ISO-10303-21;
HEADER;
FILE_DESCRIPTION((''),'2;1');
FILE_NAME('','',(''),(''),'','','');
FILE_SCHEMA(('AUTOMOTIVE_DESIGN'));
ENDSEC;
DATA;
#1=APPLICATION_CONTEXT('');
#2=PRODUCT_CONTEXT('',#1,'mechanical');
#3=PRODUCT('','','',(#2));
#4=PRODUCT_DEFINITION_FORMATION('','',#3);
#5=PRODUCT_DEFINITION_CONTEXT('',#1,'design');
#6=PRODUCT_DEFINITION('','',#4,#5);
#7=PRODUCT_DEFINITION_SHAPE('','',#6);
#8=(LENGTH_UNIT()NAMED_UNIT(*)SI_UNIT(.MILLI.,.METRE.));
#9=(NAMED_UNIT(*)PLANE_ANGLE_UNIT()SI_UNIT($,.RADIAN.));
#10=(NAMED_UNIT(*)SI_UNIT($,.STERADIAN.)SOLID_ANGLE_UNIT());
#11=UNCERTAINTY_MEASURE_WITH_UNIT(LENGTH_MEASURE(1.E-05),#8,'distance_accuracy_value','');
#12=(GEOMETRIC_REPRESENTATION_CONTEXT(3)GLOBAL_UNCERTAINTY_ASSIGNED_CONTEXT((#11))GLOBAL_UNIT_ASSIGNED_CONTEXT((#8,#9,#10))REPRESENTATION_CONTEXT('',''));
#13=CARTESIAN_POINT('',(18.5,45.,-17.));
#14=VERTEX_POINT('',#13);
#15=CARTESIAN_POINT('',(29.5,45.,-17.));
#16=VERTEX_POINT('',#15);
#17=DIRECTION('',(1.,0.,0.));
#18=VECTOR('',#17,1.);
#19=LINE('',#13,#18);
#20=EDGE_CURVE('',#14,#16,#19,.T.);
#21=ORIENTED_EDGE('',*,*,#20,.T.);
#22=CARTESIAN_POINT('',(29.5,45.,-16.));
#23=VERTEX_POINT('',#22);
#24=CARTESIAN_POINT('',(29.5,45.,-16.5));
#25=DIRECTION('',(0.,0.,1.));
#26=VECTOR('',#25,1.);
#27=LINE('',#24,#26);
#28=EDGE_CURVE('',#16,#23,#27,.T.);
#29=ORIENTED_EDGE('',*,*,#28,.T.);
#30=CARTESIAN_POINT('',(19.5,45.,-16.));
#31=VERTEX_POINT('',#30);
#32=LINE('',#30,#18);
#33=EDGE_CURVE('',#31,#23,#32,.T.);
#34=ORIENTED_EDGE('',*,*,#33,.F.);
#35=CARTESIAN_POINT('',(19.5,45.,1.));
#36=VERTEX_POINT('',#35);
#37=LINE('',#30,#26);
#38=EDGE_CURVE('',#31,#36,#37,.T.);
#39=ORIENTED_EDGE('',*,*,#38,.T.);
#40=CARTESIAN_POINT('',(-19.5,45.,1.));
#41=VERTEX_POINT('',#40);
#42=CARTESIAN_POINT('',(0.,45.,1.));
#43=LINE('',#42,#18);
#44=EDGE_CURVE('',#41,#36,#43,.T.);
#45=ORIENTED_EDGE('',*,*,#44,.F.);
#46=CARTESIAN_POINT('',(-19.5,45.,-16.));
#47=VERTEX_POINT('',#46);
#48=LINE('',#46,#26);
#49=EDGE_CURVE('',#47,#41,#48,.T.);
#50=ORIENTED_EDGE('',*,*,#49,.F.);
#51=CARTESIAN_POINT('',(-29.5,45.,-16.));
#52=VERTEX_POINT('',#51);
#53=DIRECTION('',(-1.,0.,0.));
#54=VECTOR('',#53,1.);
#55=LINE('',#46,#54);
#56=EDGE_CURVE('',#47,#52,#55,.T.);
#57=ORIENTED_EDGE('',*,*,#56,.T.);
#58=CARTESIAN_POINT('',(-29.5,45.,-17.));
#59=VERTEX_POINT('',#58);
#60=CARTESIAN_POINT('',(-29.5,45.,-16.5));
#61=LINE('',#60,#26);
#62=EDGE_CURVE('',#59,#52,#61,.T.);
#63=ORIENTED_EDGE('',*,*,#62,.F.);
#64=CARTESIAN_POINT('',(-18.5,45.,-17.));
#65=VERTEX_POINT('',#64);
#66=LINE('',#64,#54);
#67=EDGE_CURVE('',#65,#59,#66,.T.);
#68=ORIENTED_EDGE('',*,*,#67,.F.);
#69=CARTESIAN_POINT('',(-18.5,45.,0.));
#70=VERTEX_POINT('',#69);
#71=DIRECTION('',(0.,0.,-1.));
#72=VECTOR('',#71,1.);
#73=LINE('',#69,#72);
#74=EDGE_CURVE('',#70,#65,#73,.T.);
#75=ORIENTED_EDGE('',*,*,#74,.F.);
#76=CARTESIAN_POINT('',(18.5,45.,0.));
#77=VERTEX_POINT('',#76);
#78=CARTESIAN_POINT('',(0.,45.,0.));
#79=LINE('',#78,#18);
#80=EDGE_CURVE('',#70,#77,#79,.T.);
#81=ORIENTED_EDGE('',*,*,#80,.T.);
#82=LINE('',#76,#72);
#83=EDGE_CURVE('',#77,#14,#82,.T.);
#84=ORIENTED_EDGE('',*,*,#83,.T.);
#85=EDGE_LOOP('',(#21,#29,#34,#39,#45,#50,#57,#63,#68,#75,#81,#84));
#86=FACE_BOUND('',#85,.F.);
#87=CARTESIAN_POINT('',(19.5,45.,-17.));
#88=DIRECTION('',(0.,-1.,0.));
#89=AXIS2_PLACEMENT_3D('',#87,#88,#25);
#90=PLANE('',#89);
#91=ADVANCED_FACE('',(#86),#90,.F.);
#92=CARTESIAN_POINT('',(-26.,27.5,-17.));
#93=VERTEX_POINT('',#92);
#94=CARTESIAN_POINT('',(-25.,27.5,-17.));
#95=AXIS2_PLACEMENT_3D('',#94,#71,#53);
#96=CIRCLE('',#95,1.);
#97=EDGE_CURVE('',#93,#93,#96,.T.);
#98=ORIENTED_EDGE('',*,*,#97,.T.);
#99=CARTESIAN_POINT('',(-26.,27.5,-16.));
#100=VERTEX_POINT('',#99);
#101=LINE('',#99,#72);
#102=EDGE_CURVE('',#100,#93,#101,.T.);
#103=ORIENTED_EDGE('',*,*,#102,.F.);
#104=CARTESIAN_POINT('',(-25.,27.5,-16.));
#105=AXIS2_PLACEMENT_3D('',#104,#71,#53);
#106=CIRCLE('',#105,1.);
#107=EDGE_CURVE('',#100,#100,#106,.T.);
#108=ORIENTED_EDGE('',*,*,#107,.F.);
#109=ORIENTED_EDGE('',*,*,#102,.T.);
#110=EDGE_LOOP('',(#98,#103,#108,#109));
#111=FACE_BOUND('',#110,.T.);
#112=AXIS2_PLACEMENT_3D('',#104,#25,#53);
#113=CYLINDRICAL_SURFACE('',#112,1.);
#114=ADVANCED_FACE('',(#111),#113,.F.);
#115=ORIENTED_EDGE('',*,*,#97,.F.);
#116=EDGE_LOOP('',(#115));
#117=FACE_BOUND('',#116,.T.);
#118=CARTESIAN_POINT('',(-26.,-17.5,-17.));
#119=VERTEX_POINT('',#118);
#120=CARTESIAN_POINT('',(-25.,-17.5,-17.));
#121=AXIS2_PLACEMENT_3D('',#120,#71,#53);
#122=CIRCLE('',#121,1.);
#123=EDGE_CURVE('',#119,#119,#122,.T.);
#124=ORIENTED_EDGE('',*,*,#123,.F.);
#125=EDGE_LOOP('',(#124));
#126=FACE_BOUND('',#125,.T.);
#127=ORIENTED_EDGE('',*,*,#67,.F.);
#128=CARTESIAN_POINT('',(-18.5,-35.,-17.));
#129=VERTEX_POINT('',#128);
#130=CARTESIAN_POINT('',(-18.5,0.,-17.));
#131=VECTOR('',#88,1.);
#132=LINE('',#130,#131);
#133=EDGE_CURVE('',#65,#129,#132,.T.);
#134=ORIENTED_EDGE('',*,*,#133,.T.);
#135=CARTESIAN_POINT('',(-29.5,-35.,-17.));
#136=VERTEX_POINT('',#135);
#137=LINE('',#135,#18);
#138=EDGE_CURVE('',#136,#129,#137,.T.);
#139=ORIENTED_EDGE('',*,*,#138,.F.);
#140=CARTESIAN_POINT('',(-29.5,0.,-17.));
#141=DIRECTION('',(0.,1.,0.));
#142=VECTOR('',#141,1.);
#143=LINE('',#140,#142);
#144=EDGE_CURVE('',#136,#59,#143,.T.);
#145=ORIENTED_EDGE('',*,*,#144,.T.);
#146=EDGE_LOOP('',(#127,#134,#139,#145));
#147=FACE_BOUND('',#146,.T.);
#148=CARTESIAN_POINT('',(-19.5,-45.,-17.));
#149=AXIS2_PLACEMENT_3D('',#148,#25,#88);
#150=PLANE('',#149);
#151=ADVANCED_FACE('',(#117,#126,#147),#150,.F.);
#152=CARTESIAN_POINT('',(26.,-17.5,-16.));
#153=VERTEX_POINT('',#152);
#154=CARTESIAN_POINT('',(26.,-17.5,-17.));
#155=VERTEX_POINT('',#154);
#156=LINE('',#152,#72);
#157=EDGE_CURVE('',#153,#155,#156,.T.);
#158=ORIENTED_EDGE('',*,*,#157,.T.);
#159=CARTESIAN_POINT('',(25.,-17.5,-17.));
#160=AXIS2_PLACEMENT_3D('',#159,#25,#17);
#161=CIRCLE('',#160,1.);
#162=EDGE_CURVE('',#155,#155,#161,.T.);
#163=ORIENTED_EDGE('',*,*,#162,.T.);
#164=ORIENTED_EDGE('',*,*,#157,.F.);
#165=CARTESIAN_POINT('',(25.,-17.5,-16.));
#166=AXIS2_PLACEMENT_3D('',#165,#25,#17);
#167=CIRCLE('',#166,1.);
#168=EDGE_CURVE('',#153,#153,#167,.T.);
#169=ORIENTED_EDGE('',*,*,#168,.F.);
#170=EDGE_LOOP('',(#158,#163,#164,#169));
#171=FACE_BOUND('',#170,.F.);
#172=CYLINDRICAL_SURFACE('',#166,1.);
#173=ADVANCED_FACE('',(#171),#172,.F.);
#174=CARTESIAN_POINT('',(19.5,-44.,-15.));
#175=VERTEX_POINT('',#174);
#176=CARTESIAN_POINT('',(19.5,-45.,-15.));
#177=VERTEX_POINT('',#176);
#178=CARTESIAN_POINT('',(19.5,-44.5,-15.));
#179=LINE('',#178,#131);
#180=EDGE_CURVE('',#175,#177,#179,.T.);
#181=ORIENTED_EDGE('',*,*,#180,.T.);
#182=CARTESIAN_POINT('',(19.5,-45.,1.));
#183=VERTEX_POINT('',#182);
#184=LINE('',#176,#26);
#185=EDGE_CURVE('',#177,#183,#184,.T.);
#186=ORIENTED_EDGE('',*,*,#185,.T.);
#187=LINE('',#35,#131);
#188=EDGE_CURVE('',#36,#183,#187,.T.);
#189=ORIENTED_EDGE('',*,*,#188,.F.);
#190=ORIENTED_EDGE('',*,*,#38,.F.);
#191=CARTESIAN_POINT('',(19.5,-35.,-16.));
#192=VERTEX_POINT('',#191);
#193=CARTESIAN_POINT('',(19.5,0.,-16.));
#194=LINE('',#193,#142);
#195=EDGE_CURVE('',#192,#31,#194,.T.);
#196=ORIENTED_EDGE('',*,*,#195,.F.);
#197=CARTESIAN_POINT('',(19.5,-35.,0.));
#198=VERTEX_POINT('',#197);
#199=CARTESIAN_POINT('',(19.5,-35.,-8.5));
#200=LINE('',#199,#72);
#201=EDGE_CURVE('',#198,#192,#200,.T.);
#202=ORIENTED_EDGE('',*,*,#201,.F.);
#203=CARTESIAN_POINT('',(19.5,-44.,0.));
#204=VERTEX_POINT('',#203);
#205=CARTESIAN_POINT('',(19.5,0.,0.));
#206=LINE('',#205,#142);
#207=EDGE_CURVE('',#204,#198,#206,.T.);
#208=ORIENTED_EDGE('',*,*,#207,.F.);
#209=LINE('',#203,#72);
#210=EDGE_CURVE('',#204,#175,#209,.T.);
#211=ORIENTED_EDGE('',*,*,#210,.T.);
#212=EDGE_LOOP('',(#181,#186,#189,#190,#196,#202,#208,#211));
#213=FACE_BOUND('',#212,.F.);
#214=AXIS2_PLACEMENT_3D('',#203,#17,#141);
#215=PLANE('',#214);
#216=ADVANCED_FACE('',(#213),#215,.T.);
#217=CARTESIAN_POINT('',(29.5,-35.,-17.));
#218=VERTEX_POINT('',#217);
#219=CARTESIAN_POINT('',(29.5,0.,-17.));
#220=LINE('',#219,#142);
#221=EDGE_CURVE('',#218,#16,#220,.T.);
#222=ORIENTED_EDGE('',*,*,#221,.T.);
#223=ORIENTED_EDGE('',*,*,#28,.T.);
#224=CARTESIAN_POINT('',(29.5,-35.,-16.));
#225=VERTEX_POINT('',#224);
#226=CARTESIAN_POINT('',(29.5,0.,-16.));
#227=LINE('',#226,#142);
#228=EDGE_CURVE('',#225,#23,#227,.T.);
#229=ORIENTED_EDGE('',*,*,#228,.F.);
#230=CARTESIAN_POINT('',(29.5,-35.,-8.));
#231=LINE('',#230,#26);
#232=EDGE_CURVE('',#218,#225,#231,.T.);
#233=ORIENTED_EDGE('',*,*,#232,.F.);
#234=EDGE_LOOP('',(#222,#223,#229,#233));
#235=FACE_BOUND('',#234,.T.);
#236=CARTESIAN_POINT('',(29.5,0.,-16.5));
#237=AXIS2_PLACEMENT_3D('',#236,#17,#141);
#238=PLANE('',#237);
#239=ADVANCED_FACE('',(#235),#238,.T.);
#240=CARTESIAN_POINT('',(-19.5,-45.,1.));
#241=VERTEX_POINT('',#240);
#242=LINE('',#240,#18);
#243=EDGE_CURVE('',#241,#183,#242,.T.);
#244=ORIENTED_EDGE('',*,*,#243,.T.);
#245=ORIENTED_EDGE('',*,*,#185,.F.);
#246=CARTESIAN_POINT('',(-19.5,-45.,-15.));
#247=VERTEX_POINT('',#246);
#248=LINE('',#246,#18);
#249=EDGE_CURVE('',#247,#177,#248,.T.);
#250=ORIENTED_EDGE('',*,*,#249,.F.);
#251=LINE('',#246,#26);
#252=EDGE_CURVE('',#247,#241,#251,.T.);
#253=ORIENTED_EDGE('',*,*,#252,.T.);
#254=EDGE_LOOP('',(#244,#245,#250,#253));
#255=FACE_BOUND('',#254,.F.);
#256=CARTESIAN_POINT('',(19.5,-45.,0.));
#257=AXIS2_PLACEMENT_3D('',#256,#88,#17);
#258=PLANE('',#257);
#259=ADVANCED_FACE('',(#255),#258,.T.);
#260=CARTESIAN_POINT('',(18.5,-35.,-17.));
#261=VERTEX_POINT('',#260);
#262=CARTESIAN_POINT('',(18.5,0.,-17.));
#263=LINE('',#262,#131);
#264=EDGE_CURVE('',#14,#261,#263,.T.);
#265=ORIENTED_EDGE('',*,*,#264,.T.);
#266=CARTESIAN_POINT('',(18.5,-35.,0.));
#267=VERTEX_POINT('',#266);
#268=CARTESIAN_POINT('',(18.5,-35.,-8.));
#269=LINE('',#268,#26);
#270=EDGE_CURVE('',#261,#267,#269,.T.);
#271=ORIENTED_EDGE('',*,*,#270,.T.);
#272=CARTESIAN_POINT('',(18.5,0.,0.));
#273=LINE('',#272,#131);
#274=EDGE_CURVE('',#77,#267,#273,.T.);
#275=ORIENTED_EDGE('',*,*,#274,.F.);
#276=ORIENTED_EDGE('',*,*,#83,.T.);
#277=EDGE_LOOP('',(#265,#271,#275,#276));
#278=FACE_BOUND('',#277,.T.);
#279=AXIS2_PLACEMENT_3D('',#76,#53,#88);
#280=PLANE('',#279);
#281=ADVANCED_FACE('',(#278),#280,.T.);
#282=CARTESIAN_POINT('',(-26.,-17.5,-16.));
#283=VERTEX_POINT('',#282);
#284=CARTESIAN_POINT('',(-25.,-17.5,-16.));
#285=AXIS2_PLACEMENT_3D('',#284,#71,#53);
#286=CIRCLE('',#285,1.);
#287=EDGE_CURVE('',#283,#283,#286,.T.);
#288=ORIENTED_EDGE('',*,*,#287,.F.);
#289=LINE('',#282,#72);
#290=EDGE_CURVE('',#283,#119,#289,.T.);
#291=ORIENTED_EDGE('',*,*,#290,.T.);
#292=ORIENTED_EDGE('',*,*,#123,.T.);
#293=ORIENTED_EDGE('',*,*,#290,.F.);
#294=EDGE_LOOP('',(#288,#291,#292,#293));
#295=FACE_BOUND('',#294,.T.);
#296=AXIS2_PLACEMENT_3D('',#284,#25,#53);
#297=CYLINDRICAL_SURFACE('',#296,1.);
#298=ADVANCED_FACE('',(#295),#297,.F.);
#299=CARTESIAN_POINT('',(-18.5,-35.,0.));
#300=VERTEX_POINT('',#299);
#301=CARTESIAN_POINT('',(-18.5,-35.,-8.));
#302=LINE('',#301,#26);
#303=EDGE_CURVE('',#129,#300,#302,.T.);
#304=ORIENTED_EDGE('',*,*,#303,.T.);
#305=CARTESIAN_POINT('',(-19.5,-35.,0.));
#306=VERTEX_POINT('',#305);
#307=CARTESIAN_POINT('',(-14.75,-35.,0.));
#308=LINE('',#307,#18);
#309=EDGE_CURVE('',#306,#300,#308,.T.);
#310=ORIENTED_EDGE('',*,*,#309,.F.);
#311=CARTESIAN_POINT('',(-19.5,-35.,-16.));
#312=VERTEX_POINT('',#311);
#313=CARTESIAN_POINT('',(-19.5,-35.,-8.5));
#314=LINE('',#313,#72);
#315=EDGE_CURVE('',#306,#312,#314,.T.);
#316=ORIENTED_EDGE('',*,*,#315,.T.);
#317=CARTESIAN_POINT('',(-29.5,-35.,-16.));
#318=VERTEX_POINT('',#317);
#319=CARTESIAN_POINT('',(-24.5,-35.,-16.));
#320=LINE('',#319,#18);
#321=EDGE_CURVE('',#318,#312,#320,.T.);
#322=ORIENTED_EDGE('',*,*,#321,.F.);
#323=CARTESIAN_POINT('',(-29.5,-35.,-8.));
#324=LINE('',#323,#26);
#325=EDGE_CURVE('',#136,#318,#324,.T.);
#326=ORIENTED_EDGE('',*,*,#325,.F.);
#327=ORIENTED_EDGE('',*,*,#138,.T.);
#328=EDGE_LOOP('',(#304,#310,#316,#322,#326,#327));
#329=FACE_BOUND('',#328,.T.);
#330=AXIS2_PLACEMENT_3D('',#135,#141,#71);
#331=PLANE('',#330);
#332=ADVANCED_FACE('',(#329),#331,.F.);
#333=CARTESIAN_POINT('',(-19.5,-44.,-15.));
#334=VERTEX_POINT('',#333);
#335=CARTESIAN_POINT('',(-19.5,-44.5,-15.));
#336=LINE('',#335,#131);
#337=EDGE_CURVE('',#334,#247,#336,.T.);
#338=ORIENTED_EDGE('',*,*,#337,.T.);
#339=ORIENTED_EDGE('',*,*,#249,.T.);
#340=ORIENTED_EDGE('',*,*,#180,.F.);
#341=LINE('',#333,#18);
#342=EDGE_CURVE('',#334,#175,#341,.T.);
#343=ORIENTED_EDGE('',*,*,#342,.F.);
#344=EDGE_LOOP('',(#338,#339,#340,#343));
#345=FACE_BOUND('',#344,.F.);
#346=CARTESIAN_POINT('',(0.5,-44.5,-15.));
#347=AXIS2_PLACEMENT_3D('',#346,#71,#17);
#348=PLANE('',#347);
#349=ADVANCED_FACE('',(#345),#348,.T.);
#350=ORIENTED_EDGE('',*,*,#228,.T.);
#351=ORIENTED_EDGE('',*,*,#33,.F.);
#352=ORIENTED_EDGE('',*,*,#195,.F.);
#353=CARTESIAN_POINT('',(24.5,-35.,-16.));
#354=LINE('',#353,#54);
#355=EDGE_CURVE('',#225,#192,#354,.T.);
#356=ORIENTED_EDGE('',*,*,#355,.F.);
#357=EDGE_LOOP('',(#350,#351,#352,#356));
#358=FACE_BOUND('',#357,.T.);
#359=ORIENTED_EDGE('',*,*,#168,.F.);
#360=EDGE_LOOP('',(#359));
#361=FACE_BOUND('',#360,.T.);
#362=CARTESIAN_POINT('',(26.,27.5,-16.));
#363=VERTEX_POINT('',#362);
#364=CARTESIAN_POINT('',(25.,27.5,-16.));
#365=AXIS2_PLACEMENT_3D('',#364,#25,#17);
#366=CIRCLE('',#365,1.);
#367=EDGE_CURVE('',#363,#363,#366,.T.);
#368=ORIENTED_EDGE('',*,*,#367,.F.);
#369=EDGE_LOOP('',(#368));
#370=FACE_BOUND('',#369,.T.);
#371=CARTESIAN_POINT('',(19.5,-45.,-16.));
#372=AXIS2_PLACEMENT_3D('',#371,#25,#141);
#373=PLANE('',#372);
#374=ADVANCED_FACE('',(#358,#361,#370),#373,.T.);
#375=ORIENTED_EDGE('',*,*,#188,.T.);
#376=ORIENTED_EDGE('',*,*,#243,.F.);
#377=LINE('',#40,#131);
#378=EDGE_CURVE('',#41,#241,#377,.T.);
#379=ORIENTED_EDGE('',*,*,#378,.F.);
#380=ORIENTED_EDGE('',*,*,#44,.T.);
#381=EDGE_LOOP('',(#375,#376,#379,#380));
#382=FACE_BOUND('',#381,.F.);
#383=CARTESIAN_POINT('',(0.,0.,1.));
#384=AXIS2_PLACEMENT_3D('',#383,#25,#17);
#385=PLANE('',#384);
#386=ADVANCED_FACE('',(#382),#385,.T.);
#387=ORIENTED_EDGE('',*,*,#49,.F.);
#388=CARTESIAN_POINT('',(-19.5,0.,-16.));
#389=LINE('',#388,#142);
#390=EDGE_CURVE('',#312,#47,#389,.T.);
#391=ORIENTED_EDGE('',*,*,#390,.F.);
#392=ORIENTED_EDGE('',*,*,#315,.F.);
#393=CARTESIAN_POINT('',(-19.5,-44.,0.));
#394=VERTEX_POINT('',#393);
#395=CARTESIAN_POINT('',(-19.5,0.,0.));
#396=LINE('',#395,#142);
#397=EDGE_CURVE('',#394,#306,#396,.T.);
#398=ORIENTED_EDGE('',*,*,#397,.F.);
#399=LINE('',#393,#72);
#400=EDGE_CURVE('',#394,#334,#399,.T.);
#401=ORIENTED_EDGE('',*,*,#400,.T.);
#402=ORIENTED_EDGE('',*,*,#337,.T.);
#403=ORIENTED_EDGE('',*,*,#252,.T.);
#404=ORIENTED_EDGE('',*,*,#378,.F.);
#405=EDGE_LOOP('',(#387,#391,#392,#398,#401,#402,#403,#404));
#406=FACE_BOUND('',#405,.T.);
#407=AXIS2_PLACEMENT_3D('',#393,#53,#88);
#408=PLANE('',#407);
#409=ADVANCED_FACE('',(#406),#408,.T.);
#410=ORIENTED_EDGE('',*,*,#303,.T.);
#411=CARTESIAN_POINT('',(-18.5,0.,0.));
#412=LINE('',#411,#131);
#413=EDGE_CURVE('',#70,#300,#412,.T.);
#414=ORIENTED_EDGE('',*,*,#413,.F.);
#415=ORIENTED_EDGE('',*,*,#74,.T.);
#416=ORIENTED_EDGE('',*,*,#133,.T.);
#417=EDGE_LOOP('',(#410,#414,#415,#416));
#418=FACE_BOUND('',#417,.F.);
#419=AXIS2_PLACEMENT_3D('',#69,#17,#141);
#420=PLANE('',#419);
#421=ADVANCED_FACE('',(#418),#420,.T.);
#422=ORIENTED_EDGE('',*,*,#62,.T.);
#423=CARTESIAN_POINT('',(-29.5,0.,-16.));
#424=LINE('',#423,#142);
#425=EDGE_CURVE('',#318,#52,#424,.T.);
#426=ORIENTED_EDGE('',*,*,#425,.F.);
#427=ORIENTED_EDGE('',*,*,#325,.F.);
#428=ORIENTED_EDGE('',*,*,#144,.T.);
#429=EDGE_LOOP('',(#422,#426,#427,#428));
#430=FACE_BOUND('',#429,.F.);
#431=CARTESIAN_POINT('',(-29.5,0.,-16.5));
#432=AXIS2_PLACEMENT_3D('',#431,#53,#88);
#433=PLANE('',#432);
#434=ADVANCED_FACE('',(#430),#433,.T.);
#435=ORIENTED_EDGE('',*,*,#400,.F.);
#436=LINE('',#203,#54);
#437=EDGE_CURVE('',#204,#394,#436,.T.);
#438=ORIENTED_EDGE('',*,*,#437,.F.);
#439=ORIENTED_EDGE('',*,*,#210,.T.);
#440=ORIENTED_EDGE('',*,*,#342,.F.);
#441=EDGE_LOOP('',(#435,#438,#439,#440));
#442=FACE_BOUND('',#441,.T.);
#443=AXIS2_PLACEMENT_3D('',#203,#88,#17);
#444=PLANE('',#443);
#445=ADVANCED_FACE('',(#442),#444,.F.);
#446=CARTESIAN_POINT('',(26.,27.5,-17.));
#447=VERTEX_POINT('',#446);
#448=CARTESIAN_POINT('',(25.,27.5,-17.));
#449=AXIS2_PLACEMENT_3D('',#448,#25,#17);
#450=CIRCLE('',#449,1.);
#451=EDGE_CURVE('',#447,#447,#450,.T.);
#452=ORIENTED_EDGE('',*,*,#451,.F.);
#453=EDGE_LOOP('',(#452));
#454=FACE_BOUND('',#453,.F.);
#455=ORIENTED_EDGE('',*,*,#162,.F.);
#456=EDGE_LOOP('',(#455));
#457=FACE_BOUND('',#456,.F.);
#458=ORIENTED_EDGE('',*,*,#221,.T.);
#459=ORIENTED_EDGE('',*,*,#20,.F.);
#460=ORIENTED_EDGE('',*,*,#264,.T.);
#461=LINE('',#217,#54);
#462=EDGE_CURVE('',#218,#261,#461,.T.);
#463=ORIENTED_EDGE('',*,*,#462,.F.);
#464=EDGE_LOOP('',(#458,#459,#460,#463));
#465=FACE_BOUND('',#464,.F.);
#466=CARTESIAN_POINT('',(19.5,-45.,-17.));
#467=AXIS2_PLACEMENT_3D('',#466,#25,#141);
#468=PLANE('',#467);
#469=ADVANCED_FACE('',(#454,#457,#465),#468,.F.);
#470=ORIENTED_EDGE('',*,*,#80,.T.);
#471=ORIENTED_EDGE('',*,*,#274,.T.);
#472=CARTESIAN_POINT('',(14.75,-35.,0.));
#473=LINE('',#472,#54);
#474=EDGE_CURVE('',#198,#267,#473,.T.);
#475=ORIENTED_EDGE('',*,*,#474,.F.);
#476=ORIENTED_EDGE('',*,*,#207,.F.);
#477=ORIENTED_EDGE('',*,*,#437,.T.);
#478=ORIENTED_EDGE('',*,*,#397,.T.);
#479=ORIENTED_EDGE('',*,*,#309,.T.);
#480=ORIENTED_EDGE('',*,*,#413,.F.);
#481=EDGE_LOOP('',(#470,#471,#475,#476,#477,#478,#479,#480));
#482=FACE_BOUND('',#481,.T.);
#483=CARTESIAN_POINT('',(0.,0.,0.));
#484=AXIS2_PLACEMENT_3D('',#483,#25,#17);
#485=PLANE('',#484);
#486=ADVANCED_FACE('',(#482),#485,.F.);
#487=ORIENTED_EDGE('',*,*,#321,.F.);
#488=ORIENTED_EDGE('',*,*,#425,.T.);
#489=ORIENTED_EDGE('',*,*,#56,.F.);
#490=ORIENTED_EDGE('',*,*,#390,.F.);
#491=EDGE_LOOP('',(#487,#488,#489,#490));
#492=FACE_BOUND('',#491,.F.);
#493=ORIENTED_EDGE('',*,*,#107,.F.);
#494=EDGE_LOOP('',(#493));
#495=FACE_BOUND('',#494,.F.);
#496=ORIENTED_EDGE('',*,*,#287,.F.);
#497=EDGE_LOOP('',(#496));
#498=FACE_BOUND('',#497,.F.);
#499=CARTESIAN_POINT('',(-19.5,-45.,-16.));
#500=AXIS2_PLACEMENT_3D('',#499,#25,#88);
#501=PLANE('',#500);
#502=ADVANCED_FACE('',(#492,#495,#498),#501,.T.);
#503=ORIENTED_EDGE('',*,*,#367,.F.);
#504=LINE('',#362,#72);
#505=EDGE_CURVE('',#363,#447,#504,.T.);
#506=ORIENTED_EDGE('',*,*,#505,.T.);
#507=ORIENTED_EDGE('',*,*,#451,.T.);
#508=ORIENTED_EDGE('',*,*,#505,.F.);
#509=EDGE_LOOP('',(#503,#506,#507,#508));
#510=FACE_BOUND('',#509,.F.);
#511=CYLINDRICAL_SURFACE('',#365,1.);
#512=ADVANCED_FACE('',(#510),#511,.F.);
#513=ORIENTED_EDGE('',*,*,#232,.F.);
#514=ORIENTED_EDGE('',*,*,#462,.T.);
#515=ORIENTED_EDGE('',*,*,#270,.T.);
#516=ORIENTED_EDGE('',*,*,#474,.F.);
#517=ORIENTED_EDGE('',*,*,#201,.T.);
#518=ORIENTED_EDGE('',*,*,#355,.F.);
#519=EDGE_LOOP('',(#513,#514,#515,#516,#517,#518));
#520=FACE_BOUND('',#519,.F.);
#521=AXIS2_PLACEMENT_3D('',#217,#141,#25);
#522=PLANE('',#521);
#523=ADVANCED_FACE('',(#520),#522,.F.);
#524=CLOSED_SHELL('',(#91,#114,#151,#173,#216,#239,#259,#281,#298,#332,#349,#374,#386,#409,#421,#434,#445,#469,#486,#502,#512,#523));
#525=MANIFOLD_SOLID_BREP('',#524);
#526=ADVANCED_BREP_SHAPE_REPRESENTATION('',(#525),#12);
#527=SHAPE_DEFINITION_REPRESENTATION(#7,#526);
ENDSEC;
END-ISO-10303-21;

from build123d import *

# Parameters (mm, degrees)
F0_W      = 39
F0_H      = 90
F1_DEPTH  = 1
F2_W      = 1
F2_H      = 90
F3_DEPTH  = 17
F4_W      = 90
F4_H      = 1
F5_DEPTH  = 10
F6_W      = 10
F6_H      = 18
F7_DEPTH  = 11
F8_W      = 38
F8_H      = 1
F9_DEPTH  = 15
F10_R     = 1
F11_DEPTH = 1


with BuildPart() as f1:
    # F0 (on Top) → F1 (new body)
    with BuildSketch(Plane.XY):
        Rectangle(F0_W, F0_H)
    extrude(amount=F1_DEPTH)

    # F2 (on face) → F3 (join)
    with BuildSketch(Plane(origin=(0, 0, 0), x_dir=(1, 0, 0), z_dir=(0, 0, -1))):
        with Locations((19, 0)):
            Rectangle(F2_W, F2_H)
    extrude(amount=F3_DEPTH)

    # F4 (on face) → F5 (join)
    with BuildSketch(Plane.YZ.offset(19.5)):
        with Locations((0, -16.5)):
            Rectangle(F4_W, F4_H)
    extrude(amount=F5_DEPTH)

    # F6 (on face) → F7 (cut, through all)
    with BuildSketch(Plane.YZ.offset(29.5)):
        with Locations((-40, -8)):
            Rectangle(F6_W, F6_H)
    extrude(amount=-F7_DEPTH, mode=Mode.SUBTRACT)

    # F8 (on face) → F9 (join)
    with BuildSketch(Plane(origin=(0, 0, 0), x_dir=(1, 0, 0), z_dir=(0, 0, -1))):
        with Locations((-0.5, 44.5)):
            Rectangle(F8_W, F8_H)
    extrude(amount=F9_DEPTH)

    # F10 (on face) → F11 (cut, through all)
    with BuildSketch(Plane.XY.offset(-16)):
        with Locations((25, 27.5)):
            Circle(F10_R)
        with Locations((25, -17.5)):
            Circle(F10_R)
    extrude(amount=-F11_DEPTH, mode=Mode.SUBTRACT)

    # F12: F1 across plane


with BuildPart() as f1_1:
    add(f1.part)
    add(f1.part.mirror(Plane.YZ))


solid = f1_1.part
